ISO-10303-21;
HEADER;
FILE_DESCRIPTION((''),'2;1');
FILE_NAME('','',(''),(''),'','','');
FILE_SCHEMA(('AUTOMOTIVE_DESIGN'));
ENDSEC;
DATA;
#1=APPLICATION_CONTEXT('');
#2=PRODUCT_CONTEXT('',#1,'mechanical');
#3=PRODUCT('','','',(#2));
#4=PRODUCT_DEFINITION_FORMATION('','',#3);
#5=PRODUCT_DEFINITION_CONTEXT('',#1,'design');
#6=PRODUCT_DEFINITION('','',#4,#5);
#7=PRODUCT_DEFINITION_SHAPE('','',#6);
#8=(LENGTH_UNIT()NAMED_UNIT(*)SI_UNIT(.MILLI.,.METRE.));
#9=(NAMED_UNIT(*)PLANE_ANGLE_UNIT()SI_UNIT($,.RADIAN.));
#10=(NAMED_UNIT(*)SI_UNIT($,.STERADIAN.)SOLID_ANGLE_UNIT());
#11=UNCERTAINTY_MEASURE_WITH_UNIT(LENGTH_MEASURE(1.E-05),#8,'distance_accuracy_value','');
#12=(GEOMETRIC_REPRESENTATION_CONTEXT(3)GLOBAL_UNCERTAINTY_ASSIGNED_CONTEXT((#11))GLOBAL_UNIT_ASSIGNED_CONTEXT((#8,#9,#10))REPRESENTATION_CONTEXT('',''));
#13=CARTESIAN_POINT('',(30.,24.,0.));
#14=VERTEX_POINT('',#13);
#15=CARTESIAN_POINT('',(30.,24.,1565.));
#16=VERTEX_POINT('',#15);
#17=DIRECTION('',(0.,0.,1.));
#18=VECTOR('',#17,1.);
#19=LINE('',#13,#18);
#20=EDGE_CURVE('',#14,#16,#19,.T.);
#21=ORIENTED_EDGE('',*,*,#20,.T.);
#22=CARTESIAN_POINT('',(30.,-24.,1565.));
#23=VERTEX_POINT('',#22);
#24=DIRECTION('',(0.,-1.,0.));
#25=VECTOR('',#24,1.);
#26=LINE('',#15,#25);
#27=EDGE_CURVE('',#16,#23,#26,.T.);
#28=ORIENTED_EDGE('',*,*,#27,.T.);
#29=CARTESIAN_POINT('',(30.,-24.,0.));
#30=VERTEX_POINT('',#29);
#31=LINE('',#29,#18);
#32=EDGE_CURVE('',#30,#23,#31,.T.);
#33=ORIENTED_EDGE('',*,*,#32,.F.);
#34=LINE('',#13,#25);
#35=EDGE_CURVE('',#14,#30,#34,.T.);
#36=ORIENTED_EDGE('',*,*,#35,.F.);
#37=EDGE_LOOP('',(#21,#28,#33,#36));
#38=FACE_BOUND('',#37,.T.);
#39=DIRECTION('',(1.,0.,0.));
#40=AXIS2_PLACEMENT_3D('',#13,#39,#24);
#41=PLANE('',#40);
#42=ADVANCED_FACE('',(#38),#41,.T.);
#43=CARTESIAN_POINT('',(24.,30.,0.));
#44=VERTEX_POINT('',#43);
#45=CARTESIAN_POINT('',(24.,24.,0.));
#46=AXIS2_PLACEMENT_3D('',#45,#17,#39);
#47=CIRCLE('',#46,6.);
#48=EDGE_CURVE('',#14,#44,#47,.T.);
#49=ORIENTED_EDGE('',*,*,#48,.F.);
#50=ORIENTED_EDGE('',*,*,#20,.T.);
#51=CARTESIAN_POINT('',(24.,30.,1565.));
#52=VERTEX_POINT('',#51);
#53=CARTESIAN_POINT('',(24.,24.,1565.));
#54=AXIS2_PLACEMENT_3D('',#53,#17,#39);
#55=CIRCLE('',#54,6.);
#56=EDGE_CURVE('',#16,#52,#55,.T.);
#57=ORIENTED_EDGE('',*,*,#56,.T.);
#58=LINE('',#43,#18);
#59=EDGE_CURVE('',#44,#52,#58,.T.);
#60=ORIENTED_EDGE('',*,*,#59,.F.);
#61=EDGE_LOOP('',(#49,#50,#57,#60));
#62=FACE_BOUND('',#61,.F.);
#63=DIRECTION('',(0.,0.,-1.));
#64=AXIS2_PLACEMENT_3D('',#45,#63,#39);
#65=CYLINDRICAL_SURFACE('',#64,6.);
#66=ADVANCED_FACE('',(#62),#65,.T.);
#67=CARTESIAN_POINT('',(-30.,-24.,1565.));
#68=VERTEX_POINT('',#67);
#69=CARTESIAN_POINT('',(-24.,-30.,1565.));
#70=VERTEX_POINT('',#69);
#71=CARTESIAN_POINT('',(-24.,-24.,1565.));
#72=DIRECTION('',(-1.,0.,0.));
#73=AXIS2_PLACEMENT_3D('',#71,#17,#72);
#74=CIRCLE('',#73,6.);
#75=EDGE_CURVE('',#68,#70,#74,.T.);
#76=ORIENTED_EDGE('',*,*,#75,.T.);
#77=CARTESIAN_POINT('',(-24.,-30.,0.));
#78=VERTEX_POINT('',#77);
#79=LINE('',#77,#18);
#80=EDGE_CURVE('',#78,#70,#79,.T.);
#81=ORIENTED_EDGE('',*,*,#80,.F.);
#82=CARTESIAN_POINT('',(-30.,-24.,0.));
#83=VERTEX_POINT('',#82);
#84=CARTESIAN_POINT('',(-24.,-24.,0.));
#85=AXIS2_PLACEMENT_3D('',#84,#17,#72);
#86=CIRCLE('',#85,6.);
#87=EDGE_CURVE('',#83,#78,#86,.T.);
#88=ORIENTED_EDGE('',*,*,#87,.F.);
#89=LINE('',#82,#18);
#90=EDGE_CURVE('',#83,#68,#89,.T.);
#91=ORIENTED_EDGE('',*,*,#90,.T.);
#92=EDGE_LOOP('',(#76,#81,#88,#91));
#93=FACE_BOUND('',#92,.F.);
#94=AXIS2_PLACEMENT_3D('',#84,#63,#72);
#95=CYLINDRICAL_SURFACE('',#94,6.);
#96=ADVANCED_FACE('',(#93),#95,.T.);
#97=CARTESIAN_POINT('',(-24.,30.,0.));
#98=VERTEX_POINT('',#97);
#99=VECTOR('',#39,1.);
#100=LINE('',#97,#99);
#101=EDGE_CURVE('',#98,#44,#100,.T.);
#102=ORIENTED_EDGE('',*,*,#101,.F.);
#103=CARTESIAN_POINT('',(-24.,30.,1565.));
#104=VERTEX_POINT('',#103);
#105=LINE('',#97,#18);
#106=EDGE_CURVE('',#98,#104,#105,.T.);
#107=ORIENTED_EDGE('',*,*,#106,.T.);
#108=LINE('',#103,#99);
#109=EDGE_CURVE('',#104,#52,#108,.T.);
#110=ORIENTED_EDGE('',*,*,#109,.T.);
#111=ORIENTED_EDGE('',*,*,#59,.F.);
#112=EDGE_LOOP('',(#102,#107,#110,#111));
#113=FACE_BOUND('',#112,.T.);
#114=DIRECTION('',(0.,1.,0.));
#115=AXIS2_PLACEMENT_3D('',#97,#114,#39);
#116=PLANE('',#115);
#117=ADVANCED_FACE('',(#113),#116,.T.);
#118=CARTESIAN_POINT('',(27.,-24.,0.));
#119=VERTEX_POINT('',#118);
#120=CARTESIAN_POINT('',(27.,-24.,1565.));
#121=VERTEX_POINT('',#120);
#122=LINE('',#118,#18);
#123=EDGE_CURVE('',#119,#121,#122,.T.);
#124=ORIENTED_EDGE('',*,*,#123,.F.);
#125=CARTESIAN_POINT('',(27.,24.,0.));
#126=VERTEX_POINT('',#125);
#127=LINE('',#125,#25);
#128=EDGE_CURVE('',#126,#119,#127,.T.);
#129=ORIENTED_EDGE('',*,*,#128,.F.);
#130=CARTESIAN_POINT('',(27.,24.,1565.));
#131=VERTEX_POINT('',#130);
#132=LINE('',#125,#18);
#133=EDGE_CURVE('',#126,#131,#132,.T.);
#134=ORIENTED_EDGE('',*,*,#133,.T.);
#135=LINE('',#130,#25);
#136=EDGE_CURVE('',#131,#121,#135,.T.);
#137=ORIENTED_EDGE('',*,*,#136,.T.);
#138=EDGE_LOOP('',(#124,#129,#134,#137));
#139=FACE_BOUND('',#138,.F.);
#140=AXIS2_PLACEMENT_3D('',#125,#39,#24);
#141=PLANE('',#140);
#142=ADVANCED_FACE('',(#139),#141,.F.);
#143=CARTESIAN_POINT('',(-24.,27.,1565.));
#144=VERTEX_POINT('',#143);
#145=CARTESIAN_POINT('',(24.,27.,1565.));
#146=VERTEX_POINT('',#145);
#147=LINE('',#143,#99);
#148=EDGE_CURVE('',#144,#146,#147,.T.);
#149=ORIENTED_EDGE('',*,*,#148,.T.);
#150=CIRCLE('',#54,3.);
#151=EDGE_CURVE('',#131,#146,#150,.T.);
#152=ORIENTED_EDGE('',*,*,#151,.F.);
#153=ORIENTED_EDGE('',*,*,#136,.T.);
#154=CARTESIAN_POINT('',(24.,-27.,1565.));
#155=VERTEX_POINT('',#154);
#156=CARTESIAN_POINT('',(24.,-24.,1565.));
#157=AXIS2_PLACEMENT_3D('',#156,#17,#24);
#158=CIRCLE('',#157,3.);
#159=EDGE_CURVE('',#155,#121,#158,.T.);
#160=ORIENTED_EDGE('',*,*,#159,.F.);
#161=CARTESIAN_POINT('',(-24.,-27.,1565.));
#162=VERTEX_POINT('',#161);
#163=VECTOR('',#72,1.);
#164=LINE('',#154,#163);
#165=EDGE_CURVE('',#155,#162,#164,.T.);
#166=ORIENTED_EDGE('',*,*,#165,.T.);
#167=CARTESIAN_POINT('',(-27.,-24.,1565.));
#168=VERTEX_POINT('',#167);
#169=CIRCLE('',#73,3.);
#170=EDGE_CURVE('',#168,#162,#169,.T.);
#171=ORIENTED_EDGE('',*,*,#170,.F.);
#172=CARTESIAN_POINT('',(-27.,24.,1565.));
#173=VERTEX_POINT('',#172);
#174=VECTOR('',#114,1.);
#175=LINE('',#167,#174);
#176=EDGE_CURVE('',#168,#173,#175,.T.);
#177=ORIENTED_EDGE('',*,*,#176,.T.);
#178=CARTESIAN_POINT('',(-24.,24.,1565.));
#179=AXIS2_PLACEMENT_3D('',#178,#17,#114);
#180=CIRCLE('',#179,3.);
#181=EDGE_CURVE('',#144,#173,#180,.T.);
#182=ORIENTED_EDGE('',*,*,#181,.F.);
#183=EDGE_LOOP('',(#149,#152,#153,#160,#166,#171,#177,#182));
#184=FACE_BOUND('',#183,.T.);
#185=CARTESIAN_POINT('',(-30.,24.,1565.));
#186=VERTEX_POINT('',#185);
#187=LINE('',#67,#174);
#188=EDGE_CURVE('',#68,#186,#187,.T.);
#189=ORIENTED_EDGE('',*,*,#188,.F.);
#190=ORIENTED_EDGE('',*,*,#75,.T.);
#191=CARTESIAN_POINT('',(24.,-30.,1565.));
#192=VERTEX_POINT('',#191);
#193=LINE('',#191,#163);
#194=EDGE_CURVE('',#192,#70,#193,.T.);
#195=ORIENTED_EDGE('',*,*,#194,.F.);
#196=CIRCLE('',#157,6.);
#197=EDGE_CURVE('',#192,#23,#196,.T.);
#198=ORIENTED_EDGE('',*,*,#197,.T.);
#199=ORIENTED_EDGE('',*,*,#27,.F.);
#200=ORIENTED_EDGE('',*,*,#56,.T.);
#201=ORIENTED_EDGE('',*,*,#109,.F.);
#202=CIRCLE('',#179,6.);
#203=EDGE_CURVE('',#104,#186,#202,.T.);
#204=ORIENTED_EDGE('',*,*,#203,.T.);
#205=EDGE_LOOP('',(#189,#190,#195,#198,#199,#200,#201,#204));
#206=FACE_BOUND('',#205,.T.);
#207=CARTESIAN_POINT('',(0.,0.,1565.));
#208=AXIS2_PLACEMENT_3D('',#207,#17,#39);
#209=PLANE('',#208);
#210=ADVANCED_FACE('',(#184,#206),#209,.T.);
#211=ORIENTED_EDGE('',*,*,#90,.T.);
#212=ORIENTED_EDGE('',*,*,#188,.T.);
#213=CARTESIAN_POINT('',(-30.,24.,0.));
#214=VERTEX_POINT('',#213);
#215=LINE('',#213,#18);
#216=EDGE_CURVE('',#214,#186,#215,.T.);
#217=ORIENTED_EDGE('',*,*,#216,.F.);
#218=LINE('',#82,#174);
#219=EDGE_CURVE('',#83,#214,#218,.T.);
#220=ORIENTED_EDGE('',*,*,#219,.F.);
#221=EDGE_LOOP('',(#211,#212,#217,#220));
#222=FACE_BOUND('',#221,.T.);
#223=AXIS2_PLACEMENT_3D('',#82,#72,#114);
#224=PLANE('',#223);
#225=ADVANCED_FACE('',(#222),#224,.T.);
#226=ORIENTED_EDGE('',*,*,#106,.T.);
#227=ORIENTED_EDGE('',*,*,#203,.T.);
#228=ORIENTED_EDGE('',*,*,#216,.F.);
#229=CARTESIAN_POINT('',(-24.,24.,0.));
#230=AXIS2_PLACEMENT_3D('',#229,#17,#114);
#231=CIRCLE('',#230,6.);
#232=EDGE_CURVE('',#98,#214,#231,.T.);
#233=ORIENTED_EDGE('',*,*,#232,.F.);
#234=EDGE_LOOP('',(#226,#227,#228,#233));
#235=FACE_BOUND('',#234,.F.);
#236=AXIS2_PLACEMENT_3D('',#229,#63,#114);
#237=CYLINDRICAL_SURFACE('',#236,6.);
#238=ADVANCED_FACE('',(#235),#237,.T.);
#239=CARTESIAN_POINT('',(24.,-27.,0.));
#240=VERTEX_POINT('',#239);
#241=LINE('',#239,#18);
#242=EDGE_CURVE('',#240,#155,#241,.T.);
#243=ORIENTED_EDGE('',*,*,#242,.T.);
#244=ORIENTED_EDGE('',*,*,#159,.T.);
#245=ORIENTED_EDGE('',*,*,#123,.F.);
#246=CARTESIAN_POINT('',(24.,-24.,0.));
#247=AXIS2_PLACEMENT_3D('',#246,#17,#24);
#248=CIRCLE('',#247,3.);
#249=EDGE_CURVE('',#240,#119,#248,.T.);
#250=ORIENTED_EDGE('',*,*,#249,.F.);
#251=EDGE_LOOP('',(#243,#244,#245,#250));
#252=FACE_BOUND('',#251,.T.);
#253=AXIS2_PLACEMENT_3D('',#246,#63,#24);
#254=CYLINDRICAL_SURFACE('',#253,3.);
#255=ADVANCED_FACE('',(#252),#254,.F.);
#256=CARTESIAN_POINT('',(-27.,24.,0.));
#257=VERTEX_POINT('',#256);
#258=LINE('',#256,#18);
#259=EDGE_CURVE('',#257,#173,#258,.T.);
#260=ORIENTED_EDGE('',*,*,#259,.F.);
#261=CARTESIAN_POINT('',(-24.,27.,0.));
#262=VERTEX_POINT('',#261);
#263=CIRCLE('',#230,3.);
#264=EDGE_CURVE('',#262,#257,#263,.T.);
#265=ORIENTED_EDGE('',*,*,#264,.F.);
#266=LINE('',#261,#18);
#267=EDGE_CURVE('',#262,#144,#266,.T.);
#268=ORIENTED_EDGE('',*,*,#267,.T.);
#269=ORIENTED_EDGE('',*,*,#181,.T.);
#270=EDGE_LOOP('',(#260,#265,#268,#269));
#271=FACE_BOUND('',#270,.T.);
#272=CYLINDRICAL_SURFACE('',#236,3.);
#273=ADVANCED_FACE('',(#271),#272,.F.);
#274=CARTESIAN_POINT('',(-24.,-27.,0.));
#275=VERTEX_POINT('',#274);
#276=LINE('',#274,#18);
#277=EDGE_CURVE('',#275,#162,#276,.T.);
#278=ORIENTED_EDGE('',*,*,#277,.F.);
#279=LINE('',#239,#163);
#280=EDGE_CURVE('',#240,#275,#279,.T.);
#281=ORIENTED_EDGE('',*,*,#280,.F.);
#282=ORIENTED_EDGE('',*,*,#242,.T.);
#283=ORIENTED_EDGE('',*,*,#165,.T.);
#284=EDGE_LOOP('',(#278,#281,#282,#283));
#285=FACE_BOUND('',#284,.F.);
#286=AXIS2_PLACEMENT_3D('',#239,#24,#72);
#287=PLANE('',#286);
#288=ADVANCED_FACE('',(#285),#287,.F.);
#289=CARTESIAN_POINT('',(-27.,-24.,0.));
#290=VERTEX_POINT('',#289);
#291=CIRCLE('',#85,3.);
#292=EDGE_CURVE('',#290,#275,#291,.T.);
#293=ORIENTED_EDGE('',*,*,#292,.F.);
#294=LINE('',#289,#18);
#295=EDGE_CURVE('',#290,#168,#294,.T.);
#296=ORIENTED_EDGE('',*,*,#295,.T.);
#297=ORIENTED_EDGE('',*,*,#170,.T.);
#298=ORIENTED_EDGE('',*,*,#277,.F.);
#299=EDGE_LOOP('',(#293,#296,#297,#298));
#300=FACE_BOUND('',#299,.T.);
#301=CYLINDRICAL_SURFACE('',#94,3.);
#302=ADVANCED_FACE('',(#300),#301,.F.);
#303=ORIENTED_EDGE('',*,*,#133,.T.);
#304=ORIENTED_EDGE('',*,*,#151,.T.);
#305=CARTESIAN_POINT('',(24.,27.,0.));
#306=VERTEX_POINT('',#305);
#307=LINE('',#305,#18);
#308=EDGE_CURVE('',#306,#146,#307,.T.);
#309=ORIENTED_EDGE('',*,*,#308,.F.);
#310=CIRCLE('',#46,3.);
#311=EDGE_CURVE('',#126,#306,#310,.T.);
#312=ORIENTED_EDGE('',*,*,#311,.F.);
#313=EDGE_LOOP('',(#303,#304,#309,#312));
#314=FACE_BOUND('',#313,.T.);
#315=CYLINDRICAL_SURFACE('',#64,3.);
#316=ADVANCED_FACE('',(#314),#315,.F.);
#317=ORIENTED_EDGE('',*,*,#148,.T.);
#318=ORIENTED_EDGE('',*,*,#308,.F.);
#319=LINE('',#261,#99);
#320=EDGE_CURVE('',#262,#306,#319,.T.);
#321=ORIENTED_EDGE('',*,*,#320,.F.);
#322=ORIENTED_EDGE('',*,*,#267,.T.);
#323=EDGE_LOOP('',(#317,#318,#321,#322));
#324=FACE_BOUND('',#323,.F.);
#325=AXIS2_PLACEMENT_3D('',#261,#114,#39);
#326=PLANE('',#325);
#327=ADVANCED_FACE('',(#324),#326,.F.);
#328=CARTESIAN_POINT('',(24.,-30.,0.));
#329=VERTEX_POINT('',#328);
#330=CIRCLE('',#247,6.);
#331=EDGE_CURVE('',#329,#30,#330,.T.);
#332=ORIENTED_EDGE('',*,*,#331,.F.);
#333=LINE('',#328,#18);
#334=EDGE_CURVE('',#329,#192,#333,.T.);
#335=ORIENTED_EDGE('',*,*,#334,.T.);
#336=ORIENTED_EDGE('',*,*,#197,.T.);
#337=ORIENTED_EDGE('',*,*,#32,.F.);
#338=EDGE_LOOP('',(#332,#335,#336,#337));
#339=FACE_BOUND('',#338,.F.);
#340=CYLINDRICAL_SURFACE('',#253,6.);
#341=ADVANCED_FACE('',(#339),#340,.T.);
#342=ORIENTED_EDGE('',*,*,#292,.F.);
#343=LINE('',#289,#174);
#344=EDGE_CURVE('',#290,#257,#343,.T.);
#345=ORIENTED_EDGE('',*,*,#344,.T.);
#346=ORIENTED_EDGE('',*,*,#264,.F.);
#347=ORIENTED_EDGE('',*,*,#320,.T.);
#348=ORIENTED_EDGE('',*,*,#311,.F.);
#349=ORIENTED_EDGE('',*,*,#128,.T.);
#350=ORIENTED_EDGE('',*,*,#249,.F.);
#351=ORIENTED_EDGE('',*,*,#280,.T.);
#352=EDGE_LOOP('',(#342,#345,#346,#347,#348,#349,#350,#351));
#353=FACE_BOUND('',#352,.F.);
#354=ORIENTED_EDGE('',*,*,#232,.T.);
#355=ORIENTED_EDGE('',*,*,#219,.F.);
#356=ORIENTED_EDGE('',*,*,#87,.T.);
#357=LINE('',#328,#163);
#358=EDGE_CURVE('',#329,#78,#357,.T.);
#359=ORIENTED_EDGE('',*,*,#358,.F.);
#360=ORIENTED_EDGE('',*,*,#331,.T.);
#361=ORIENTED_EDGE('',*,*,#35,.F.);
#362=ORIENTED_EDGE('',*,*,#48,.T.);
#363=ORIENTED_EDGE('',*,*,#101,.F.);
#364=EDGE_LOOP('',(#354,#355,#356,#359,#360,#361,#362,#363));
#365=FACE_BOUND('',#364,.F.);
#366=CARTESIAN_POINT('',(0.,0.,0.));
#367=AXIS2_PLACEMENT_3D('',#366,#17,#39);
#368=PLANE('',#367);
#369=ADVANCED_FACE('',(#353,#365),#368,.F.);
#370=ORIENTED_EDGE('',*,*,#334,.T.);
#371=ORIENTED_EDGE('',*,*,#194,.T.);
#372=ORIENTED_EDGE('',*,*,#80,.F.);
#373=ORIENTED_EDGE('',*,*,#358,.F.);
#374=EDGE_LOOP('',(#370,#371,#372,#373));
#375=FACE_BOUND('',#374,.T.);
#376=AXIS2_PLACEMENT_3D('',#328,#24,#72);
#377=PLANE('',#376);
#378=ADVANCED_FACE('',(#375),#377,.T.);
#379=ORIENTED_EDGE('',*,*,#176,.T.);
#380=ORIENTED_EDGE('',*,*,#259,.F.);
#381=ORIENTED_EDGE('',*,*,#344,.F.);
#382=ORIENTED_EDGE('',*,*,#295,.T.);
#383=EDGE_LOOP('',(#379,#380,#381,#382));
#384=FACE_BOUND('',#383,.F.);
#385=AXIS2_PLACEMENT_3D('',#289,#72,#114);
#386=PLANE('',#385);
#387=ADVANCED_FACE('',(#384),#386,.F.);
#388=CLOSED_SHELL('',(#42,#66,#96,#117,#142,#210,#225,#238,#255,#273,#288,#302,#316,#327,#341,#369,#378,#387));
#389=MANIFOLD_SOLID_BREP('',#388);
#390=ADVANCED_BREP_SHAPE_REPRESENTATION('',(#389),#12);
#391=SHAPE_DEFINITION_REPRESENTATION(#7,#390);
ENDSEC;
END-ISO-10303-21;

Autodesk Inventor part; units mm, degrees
ref_plane "YZ Plane" through (0, 0, 0) normal (1, 0, 0) x (0, 1, 0)
ref_plane "Start Plane" through (0, 0, 0) normal (0, 0, 1) x (1, 0, 0)
ref_plane "End Plane" through (0, 0, 1565) normal (0, 0, 1) x (1, 0, 0)
sketch "Sketch" plane through (0, 0, 0) normal (0, 0, 1) x (1, 0, 0)
  line L0 (-30, -24) -> (-30, 24)
  line L1 (-24, 30) -> (24, 30)
  line L2 (30, 24) -> (30, -24)
  line L3 (24, -30) -> (-24, -30)
  arc A0 (-30, -24) -> (-24, -30) centre (-24, -24) ccw
  arc A1 (30, 24) -> (24, 30) centre (24, 24) ccw
  arc A2 (-24, 30) -> (-30, 24) centre (-24, 24) ccw
  arc A3 (24, -30) -> (30, -24) centre (24, -24) ccw
  arc A4 (-24, 27) -> (-27, 24) centre (-24, 24) ccw
  line L4 (-24, 27) -> (24, 27)
  arc A5 (27, 24) -> (24, 27) centre (24, 24) ccw
  line L5 (27, 24) -> (27, -24)
  arc A6 (24, -27) -> (27, -24) centre (24, -24) ccw
  line L6 (24, -27) -> (-24, -27)
  arc A7 (-27, -24) -> (-24, -27) centre (-24, -24) ccw
  line L7 (-27, -24) -> (-27, 24)
  line L8 (0, 43.7397) -> (0, -43.7397) construction
  line L9 (-43.7397, 0) -> (43.7397, 0) construction
  dimension "d7" = 6
  dimension "d9" = 60
  dimension "d11" = 60
  dimension "d12" = 3
  dimension "d15" = 30
  dimension "d16" = 30
extrude "Body" add sketch "Sketch" along normal up to surface (1565 mm away) from surface at 0
sketch "Sketch3" plane through (0, 0, 0) normal (0, 0, 1) x (1, 0, 0)
  line L0 (0, 0) -> (10, 0)
ref_plane "Work Plane3" through (0, 0, 0) normal (0, -1, 0) x (1, 0, 0)
sketch "Sketch4" plane through (0, 0, 0) normal (0, -1, 0) x (1, 0, 0)
  line L0 (-2, 0) -> (12, 0)
  line L1 (-2, 1565) -> (12, 1565)
  dimension "d18" = 1565
equation "\"d7\" = G_IR"
equation "\"d9\" = G_W"
equation "\"d11\" = G_H"
equation "\"d12\" = G_T"
equation "\"d15\" = 0.5 * d9"
equation "\"d16\" = 0.5 * d11"
equation "\"d3\" = G_L"
equation "\"G_W\" = 60"
equation "\"G_H\" = 60"
equation "\"G_T\" = 3"
equation "\"G_IR\" = 6"
equation "\"G_L\" = d18"
equation "\"G_OFFSET_START\" = 0"
equation "\"G_OFFSET_END\" = 0"
equation "\"d14\" = G_OFFSET_END + B_L"
equation "\"B_L\" = 1565"
properties part number "ISO 10799-2 - 60x60x3 - 1565" material "Steel, Mild"
